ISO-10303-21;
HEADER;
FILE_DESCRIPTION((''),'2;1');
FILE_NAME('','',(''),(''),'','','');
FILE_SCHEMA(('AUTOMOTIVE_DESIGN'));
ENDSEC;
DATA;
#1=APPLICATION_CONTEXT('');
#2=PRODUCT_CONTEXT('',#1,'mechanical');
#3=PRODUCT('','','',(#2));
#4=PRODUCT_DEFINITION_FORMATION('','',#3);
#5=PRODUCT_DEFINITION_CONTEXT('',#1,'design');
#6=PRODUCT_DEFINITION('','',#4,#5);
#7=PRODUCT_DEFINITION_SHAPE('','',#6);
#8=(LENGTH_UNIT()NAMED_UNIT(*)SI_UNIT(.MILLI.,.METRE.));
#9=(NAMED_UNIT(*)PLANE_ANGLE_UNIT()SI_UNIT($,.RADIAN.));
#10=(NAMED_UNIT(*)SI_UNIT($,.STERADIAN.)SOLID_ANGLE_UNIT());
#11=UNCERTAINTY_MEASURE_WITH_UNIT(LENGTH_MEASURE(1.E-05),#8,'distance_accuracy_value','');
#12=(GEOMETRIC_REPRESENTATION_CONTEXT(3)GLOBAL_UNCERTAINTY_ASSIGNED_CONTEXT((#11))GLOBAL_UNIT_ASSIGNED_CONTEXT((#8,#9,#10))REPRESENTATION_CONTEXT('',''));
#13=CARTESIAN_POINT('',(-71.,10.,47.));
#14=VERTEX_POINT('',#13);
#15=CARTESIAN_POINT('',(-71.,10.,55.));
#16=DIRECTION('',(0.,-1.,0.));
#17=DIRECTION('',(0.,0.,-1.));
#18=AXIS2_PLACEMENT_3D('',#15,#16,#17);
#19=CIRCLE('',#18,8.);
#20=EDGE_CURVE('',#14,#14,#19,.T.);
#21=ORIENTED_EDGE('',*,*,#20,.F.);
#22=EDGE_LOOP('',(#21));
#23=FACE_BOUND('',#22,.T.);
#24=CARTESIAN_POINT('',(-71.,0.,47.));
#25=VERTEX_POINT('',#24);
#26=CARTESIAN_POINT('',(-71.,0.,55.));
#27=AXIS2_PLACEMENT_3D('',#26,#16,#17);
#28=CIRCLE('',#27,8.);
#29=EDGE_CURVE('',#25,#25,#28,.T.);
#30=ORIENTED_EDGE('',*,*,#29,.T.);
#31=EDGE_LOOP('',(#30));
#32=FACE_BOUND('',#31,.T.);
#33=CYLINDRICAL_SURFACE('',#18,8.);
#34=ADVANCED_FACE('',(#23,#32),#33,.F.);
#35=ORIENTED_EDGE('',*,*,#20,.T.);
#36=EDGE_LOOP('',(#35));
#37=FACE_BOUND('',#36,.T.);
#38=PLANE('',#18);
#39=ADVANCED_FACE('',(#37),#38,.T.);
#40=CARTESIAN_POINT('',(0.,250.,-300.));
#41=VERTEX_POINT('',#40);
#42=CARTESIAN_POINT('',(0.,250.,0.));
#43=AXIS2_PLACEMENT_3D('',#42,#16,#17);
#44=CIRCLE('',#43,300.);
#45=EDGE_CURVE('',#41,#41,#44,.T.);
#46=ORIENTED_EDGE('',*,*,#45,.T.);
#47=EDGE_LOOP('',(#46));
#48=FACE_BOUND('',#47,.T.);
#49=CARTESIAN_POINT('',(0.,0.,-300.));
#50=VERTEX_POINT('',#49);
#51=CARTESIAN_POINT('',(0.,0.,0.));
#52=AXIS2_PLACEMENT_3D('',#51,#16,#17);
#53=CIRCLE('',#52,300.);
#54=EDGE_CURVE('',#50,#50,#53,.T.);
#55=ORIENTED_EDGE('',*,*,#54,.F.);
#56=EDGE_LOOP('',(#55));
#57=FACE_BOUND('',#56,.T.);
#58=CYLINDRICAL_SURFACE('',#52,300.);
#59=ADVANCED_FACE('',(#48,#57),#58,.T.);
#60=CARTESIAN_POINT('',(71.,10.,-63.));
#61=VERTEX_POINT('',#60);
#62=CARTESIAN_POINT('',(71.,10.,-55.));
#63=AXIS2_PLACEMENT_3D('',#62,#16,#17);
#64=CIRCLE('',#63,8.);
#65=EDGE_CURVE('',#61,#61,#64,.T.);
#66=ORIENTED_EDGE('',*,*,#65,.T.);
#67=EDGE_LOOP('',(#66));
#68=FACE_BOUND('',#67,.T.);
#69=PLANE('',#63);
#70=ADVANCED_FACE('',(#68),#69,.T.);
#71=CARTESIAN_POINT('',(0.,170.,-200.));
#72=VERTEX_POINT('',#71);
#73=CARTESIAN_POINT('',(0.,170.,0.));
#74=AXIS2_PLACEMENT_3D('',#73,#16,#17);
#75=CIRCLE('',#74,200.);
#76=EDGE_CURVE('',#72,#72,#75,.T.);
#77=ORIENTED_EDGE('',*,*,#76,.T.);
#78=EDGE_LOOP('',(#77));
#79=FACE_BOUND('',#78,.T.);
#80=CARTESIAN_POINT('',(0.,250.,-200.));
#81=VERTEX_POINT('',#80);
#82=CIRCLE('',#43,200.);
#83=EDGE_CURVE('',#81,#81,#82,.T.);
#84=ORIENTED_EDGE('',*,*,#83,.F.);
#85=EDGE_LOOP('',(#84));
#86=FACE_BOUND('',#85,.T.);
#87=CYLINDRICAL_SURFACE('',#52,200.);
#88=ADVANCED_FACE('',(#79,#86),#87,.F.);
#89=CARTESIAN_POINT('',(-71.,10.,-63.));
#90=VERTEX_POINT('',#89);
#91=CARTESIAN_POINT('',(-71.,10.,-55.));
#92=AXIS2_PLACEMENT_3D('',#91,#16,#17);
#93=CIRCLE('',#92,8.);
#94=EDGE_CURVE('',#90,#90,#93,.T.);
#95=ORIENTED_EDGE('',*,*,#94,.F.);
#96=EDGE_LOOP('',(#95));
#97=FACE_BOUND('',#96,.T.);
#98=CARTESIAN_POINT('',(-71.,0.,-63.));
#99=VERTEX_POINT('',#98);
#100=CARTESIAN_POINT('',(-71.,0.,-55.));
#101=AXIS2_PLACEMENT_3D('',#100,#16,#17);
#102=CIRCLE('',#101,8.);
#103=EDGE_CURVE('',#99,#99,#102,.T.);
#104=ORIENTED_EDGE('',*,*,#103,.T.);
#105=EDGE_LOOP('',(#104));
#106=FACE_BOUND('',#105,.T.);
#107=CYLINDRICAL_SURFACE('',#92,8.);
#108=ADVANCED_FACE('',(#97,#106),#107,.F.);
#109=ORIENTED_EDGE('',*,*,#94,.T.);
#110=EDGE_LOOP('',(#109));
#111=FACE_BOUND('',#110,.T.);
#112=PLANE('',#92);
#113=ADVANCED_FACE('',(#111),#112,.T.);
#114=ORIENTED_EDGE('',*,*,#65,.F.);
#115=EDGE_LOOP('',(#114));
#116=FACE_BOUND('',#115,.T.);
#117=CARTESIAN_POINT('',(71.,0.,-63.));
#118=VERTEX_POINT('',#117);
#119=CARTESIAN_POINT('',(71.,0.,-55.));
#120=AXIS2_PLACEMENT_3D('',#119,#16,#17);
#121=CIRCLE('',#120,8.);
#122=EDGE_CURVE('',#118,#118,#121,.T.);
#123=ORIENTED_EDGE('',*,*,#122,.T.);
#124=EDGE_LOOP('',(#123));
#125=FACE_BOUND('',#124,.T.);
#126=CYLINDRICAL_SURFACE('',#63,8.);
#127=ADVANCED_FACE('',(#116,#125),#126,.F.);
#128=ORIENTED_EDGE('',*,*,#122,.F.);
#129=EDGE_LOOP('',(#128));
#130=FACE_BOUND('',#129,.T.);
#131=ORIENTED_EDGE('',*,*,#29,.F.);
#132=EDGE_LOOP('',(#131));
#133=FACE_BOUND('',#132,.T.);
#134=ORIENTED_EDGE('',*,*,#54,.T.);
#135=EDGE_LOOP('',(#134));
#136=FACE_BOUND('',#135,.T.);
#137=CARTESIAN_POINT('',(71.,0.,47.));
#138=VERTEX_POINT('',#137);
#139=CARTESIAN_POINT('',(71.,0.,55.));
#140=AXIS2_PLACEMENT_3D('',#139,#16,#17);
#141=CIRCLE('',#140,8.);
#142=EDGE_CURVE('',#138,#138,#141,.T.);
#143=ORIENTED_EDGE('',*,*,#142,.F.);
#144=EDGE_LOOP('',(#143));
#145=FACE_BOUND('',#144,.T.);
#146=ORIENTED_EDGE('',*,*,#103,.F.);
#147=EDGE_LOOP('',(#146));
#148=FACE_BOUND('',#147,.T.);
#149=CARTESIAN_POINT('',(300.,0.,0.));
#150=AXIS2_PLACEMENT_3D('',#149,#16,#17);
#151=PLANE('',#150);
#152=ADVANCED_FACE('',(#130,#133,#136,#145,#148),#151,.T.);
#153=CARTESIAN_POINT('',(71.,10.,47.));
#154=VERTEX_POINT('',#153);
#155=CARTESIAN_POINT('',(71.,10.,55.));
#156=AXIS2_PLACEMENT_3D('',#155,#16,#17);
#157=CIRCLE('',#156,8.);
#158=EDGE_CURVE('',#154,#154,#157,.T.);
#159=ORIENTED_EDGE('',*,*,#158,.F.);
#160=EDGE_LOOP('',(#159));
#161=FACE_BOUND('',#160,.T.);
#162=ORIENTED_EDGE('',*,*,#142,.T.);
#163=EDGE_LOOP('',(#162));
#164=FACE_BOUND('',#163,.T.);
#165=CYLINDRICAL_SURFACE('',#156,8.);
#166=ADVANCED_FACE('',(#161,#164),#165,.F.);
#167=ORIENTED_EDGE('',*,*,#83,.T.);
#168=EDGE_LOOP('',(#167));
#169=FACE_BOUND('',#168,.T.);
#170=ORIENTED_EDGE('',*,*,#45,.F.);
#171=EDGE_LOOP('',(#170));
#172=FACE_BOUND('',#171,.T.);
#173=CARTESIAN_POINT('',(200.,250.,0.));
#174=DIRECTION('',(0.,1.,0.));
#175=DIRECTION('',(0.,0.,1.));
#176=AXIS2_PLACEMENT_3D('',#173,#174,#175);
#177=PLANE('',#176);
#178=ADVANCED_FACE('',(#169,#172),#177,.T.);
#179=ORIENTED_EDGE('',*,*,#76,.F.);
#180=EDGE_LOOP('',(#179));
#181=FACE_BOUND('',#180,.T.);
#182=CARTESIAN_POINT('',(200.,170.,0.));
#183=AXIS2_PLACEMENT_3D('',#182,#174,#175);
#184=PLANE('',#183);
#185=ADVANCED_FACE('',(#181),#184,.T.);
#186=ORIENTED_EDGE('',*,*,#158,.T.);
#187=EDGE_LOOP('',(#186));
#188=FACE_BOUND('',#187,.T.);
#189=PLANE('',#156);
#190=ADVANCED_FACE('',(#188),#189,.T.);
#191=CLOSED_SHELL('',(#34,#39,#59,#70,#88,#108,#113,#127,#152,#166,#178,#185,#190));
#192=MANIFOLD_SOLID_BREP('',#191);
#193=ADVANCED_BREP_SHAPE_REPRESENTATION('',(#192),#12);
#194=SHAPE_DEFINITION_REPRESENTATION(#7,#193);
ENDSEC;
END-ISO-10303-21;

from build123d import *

# Parameters (mm, degrees)
ESBO_O3_R             = 8
CORTE_EXTRUS_O2_DEPTH = 10


with BuildPart() as part:
    # Esboço1 → Revolução1 (revolve)
    with BuildSketch(Plane.XY):
        Polygon((200, 250), (300, 250), (300, 0), (0, 0), (0, 170), (200, 170), align=None)
    revolve(axis=Axis((0, 0, 0), (0, 1, 0)))

    # Esboço3 → Corte-extrusão2 (cut)
    with BuildSketch(Plane.XZ):
        with Locations((-71, 55)):
            Circle(ESBO_O3_R)
        with Locations((71, 55)):
            Circle(ESBO_O3_R)
        with Locations((71, -55)):
            Circle(ESBO_O3_R)
        with Locations((-71, -55)):
            Circle(ESBO_O3_R)
    extrude(amount=-CORTE_EXTRUS_O2_DEPTH, mode=Mode.SUBTRACT)


solid = part.part
